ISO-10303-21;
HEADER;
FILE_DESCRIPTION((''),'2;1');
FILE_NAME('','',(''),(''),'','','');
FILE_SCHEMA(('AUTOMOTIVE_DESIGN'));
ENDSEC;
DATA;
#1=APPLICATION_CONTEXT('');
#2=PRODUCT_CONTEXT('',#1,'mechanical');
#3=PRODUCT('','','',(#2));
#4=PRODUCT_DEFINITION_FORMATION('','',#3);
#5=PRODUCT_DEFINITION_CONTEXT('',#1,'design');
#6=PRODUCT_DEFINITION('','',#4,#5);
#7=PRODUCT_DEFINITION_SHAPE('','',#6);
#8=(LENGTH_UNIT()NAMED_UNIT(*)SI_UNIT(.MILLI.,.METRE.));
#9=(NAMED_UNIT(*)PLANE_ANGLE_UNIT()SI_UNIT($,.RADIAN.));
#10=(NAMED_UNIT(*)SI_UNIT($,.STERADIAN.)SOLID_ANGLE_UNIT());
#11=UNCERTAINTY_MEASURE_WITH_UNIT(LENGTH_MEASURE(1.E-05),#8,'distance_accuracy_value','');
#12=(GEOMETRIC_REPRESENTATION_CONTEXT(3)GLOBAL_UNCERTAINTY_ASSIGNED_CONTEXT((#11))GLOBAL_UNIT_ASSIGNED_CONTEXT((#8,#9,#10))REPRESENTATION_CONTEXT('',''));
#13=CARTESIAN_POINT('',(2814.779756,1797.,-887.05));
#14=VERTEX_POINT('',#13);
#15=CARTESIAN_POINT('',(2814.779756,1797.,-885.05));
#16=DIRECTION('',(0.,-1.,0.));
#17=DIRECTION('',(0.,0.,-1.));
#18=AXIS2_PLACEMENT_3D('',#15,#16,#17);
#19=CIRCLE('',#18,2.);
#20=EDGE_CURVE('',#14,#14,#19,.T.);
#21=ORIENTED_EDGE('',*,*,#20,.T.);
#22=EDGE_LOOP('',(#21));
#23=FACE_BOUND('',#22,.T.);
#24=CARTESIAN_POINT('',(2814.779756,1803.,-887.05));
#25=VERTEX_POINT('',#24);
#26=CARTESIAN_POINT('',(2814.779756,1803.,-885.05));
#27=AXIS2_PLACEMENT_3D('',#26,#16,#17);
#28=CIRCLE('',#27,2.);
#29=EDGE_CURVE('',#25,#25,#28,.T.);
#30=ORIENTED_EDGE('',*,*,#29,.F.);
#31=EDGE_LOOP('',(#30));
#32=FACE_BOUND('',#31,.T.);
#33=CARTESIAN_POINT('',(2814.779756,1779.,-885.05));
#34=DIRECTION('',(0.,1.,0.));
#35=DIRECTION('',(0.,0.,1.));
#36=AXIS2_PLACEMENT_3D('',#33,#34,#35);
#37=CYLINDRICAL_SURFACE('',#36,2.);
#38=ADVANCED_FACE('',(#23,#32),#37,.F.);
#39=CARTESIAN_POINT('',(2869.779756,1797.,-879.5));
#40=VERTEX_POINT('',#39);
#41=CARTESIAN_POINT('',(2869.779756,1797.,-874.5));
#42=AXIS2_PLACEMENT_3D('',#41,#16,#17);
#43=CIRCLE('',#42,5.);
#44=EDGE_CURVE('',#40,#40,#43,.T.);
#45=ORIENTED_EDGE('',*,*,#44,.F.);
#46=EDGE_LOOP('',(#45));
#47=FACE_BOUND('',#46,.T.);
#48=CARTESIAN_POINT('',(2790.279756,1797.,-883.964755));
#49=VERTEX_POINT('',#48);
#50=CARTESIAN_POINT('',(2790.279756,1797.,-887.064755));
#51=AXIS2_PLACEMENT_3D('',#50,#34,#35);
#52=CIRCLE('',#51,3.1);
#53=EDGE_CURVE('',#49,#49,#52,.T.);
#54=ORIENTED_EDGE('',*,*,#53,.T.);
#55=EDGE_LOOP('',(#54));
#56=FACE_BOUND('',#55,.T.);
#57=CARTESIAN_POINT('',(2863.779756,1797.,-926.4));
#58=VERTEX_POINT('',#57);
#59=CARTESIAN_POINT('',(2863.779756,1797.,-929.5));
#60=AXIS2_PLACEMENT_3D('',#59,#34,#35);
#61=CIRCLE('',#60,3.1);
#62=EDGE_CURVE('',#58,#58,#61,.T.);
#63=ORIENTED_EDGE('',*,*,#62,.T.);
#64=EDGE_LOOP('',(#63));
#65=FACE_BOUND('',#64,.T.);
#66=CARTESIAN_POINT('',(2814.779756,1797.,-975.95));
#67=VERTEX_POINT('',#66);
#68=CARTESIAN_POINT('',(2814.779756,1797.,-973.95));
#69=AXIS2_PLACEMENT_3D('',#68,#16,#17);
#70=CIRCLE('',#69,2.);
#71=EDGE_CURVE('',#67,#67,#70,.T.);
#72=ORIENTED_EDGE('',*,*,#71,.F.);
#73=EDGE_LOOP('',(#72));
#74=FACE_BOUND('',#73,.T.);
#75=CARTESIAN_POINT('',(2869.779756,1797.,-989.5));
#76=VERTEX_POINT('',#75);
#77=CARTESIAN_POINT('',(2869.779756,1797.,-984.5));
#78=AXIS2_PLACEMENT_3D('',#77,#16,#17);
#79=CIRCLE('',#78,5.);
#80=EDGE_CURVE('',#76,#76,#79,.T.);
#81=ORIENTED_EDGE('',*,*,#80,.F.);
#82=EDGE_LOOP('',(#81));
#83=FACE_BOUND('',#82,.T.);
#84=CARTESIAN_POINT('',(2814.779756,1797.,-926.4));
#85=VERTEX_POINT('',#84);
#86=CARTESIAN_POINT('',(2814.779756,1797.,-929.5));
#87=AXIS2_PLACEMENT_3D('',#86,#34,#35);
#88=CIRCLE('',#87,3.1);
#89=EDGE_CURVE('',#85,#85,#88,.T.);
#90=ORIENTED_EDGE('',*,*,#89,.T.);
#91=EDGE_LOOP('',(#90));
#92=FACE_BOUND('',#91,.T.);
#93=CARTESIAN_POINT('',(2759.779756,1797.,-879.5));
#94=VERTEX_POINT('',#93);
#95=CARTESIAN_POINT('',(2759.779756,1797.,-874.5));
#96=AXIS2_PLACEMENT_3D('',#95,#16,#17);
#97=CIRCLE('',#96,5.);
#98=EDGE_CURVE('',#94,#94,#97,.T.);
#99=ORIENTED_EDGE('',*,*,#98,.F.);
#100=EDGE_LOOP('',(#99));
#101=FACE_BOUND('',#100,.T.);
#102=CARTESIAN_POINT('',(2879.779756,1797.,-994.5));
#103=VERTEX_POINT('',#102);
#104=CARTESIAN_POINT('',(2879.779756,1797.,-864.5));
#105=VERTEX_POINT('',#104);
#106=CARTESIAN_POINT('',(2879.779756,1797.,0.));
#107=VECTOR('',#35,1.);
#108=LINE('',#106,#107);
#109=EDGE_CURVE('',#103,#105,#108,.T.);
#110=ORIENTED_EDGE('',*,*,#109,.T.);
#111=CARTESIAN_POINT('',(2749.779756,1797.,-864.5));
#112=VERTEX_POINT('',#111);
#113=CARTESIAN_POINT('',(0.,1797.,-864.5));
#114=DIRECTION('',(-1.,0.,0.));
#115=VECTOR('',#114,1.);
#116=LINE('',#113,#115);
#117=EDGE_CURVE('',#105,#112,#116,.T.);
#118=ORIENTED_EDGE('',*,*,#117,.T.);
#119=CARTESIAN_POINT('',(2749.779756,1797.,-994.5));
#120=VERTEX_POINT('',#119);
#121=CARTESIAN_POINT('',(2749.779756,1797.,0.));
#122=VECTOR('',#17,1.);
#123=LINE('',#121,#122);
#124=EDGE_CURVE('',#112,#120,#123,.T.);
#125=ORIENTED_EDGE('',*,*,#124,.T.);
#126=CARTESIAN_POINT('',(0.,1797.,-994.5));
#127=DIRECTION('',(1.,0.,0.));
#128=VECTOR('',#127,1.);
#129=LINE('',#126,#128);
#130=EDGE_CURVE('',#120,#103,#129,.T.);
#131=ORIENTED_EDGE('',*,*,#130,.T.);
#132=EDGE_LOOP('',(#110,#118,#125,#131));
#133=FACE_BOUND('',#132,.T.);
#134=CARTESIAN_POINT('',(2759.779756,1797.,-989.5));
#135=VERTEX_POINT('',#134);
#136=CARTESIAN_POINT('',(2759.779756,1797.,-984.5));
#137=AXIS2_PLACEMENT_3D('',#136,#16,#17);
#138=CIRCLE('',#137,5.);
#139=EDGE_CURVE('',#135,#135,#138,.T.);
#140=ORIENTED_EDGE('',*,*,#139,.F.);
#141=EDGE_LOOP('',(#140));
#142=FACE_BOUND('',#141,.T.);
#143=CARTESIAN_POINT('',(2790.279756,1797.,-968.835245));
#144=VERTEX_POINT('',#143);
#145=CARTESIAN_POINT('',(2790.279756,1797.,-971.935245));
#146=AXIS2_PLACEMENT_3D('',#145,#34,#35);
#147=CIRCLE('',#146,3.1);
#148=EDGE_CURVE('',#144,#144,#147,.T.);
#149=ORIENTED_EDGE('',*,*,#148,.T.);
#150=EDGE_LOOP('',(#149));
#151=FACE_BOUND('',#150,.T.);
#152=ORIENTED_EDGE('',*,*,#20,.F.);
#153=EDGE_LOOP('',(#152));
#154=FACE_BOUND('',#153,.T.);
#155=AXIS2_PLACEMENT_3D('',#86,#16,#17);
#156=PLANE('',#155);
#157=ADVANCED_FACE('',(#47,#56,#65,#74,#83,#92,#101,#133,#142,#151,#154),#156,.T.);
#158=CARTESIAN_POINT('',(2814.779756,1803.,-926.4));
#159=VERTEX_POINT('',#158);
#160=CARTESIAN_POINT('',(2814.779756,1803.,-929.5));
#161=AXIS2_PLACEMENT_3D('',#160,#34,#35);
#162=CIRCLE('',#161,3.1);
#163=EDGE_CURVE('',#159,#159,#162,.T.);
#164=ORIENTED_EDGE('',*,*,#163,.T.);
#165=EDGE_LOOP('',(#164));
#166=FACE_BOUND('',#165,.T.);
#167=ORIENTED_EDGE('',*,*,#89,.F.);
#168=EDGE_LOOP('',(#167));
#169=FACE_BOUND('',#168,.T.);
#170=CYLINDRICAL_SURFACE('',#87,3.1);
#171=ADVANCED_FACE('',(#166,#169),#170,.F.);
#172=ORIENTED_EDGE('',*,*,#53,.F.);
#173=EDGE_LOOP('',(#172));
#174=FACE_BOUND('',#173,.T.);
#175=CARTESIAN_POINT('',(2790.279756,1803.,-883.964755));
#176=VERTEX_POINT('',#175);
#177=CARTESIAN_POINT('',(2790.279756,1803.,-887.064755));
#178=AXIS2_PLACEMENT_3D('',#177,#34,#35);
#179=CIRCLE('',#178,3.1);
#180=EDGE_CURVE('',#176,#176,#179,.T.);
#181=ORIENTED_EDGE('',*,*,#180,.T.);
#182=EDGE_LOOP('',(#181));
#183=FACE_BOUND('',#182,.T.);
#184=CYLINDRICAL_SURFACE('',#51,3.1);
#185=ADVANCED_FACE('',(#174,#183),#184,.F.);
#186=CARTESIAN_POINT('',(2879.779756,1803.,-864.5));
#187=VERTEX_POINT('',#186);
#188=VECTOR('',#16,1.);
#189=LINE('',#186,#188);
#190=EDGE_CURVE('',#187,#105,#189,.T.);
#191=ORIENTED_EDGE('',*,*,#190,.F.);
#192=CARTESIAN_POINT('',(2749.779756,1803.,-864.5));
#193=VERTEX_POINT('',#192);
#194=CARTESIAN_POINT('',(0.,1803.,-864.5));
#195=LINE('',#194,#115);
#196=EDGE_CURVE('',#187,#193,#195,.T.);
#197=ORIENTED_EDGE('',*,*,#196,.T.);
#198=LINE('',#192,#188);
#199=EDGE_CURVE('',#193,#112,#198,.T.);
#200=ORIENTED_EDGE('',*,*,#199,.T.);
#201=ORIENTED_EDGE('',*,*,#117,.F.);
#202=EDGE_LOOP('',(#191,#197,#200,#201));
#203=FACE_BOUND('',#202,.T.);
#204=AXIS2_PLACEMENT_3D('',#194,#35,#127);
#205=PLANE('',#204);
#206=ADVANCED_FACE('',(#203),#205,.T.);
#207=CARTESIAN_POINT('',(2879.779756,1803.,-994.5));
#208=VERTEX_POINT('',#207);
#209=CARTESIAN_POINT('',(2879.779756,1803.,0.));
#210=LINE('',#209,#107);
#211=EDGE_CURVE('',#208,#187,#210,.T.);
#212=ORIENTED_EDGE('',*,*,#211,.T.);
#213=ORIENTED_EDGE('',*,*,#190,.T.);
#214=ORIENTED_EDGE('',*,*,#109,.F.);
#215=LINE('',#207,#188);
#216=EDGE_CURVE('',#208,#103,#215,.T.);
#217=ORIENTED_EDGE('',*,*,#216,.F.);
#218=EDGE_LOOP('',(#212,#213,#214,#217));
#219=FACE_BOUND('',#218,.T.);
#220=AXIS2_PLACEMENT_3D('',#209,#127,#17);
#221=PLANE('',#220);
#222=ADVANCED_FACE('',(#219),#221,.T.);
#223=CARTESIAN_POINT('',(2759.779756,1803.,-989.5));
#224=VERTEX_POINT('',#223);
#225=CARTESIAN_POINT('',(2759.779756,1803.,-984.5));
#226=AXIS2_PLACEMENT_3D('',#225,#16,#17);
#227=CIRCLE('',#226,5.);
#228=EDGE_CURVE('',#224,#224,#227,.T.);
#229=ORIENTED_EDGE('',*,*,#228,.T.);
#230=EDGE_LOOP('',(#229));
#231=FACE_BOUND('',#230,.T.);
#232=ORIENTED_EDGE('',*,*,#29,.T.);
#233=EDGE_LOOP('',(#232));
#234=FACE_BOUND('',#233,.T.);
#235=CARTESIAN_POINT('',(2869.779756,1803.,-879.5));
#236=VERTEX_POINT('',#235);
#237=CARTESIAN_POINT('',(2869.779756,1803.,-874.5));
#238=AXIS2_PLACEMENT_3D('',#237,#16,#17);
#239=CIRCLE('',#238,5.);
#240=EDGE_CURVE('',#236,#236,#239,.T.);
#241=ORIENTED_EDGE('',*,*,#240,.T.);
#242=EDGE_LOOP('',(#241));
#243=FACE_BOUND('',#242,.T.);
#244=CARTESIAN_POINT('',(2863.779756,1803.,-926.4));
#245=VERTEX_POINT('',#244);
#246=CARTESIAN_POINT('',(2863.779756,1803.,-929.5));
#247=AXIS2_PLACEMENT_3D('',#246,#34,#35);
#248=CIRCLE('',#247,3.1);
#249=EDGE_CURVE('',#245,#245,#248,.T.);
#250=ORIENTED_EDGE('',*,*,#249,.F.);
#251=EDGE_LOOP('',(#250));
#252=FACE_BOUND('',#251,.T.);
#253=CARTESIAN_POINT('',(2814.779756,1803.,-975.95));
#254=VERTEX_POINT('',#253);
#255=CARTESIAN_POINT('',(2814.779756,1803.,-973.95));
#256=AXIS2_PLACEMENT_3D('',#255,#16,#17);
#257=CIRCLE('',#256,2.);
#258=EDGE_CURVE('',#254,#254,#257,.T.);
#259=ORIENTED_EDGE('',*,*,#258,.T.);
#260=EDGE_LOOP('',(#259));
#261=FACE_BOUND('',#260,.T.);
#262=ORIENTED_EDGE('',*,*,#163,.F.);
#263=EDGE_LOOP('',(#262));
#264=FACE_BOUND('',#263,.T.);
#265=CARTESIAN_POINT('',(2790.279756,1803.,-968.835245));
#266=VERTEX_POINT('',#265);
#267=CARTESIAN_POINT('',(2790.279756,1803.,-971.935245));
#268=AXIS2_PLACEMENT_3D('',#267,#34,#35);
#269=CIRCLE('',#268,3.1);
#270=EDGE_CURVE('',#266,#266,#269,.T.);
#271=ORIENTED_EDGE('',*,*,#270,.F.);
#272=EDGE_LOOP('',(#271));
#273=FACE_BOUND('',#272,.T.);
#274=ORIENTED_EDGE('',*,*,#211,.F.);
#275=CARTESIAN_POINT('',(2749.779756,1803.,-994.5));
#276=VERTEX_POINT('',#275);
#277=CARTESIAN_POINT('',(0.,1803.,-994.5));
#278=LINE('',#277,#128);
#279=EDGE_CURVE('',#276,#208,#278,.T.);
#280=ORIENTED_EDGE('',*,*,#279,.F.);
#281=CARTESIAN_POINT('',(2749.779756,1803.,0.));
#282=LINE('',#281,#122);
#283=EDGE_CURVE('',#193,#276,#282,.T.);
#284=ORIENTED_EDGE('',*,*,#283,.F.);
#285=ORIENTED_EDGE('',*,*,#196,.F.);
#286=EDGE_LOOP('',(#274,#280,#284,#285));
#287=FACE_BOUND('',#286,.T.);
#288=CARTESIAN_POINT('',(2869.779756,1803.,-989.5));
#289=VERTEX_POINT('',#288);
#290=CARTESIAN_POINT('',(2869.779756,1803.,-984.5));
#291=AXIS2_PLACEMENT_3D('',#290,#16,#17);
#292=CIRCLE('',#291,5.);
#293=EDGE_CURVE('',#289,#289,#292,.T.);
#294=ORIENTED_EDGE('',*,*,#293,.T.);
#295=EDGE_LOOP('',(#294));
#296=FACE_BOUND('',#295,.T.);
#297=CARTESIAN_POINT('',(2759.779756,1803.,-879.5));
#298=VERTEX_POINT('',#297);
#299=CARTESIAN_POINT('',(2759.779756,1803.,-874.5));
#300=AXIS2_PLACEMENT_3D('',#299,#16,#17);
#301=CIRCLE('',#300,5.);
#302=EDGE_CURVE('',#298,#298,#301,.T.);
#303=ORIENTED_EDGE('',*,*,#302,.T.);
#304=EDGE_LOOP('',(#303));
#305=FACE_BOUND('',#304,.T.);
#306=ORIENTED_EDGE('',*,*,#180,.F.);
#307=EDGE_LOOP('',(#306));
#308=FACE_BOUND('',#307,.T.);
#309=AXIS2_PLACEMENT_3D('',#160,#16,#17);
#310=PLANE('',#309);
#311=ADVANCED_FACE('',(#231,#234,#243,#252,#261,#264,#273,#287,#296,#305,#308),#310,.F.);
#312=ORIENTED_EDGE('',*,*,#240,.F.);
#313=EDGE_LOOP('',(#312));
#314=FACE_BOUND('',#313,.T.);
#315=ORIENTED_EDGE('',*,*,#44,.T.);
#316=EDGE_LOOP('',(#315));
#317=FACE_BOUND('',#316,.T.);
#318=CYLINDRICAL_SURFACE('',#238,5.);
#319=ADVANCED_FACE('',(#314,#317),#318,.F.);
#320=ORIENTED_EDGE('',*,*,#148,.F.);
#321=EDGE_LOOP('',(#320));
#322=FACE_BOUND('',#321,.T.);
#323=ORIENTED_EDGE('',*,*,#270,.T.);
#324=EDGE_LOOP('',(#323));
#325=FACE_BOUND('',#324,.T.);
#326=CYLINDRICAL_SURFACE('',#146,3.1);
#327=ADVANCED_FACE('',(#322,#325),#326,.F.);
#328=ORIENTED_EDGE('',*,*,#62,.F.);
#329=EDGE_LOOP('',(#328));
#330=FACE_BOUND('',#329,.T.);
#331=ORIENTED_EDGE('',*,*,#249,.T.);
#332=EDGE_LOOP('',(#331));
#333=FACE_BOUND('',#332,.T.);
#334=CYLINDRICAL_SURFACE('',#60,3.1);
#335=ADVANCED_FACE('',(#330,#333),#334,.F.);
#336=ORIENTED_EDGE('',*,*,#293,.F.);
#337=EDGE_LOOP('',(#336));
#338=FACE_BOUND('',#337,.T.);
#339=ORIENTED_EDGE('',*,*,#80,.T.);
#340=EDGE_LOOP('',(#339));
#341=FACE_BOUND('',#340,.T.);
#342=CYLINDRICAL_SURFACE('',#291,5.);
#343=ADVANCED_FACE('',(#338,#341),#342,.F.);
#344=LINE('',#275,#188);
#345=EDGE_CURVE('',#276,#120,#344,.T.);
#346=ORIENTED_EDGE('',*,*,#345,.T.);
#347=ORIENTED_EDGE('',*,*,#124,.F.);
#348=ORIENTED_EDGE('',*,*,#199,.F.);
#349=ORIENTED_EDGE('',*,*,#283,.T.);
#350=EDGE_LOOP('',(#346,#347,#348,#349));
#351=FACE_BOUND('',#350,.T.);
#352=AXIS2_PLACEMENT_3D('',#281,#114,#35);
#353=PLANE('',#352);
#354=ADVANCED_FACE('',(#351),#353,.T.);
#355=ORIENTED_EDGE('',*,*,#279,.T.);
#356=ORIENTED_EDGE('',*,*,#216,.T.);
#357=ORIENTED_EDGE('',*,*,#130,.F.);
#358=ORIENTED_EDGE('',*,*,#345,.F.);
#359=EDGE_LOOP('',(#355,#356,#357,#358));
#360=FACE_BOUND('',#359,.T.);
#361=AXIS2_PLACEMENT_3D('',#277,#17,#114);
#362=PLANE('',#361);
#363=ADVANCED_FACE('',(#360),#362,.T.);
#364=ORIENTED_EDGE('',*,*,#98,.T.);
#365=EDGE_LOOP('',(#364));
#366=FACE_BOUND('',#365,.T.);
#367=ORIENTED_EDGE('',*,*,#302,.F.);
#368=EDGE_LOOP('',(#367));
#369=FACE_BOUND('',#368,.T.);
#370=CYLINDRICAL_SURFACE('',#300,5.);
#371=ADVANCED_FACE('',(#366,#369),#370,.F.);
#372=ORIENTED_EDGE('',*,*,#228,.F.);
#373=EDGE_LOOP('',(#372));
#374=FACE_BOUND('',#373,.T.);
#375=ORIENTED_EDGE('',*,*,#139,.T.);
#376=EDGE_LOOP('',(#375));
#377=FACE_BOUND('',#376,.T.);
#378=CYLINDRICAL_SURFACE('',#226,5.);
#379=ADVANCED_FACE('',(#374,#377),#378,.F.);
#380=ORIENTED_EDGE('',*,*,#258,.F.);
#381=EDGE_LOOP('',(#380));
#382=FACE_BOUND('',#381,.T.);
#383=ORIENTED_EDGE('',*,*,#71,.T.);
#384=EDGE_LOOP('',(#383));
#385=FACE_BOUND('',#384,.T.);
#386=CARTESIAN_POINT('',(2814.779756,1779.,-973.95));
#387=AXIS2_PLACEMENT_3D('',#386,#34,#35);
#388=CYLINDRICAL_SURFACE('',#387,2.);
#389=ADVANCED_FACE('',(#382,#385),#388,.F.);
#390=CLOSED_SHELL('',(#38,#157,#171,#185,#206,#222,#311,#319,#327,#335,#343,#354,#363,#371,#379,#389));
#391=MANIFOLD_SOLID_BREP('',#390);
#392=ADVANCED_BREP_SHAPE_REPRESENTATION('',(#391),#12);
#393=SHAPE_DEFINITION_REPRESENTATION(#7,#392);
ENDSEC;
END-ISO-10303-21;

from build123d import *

# Parameters (mm, degrees)
SKETCH_8_R          = 58
SKETCH_8_R_2        = 3
EXTRUDE_5_DEPTH     = 6
SKETCH_9_R          = 2
EXTRUDE_6_DEPTH     = 12
EXTRUDE_START       = -6
SKETCH_10_W         = 130
SKETCH_10_H         = 130
SKETCH_10_R         = 5
SKETCH_10_R_2       = 58
EXTRUDE_8_DEPTH     = 6
CUT_EXTRUDE_START   = -30
SKETCH_12_R         = 2
CUT_EXTRUDE_1_DEPTH = 30
SKETCH_13_R         = 2
CUT_EXTRUDE_2_DEPTH = 30
SKETCH_14_R         = 3.1
CUT_EXTRUDE_3_DEPTH = 6
SKETCH_15_R         = 3.1
CUT_EXTRUDE_4_DEPTH = 6


with BuildPart() as part:
    # 草图8 → 凸台-拉伸5 (new body)
    with BuildSketch(Plane.XZ.offset(-1803)):
        with Locations(Location((2814.779756067, -929.5, 0), (0, 0, 270))):
            Circle(SKETCH_8_R)
        with Locations(Location((2814.779756067, -929.5, 0), (0, 0, 270))):
            Circle(SKETCH_8_R_2, mode=Mode.SUBTRACT)
    extrude(amount=EXTRUDE_5_DEPTH)

    # 草图9 → 凸台-拉伸6 (add)
    with BuildSketch(Plane.XZ.offset(-1797)):
        with Locations(Location((2814.779756067, -885.05, 0), (0, 0, 270))):
            Circle(SKETCH_9_R)
        with Locations(Location((2814.779756067, -973.95, 0), (0, 0, 270))):
            Circle(SKETCH_9_R)
    extrude(amount=-EXTRUDE_6_DEPTH)

    # 草图10 → 凸台-拉伸8 (add)
    with BuildSketch(Plane.XZ.offset(-1797).offset(EXTRUDE_START)):
        with Locations((2814.779756067, -929.5)):
            Rectangle(SKETCH_10_W, SKETCH_10_H)
        with Locations(Location((2869.779756067, -984.5, 0), (0, 0, 270))):
            Circle(SKETCH_10_R, mode=Mode.SUBTRACT)
        with Locations(Location((2759.779756067, -984.5, 0), (0, 0, 270))):
            Circle(SKETCH_10_R, mode=Mode.SUBTRACT)
        with Locations(Location((2759.779756067, -874.5, 0), (0, 0, 270))):
            Circle(SKETCH_10_R, mode=Mode.SUBTRACT)
        with Locations(Location((2869.779756067, -874.5, 0), (0, 0, 270))):
            Circle(SKETCH_10_R, mode=Mode.SUBTRACT)
        with Locations((2814.779756067, -929.5)):
            Circle(SKETCH_10_R_2, mode=Mode.SUBTRACT)
    extrude(amount=EXTRUDE_8_DEPTH)

    # 草图12 → 切除-拉伸1 (cut)
    with BuildSketch(Plane(origin=(0, 1809, 0), x_dir=(1, 0, 0), z_dir=(0, 1, 0)).offset(CUT_EXTRUDE_START)):
        with Locations(Location((2814.779756067, 973.95, 0), (0, 0, 90))):
            Circle(SKETCH_12_R)
    extrude(amount=CUT_EXTRUDE_1_DEPTH, mode=Mode.SUBTRACT)

    # 草图13 → 切除-拉伸2 (cut)
    with BuildSketch(Plane(origin=(0, 1809, 0), x_dir=(1, 0, 0), z_dir=(0, 1, 0)).offset(CUT_EXTRUDE_START)):
        with Locations(Location((2814.779756067, 885.05, 0), (0, 0, 90))):
            Circle(SKETCH_13_R)
    extrude(amount=CUT_EXTRUDE_2_DEPTH, mode=Mode.SUBTRACT)

    # 草图14 → 切除-拉伸3 (cut)
    with BuildSketch(Plane(origin=(0, 1803, 0), x_dir=(1, 0, 0), z_dir=(0, 1, 0))):
        with Locations(Location((2814.779756067, 929.5, 0), (0, 0, 270))):
            Circle(SKETCH_14_R)
    extrude(amount=-CUT_EXTRUDE_3_DEPTH, mode=Mode.SUBTRACT)

    # 草图15 → 切除-拉伸4 (cut)
    with BuildSketch(Plane(origin=(0, 1803, 0), x_dir=(1, 0, 0), z_dir=(0, 1, 0))):
        with Locations(Location((2863.779756067, 929.5, 0), (0, 0, 270))):
            Circle(SKETCH_15_R)
        with Locations(Location((2790.279756067, 887.064755215, 0), (0, 0, 270))):
            Circle(SKETCH_15_R)
        with Locations(Location((2790.279756067, 971.935244785, 0), (0, 0, 270))):
            Circle(SKETCH_15_R)
    extrude(amount=-CUT_EXTRUDE_4_DEPTH, mode=Mode.SUBTRACT)


solid = part.part
